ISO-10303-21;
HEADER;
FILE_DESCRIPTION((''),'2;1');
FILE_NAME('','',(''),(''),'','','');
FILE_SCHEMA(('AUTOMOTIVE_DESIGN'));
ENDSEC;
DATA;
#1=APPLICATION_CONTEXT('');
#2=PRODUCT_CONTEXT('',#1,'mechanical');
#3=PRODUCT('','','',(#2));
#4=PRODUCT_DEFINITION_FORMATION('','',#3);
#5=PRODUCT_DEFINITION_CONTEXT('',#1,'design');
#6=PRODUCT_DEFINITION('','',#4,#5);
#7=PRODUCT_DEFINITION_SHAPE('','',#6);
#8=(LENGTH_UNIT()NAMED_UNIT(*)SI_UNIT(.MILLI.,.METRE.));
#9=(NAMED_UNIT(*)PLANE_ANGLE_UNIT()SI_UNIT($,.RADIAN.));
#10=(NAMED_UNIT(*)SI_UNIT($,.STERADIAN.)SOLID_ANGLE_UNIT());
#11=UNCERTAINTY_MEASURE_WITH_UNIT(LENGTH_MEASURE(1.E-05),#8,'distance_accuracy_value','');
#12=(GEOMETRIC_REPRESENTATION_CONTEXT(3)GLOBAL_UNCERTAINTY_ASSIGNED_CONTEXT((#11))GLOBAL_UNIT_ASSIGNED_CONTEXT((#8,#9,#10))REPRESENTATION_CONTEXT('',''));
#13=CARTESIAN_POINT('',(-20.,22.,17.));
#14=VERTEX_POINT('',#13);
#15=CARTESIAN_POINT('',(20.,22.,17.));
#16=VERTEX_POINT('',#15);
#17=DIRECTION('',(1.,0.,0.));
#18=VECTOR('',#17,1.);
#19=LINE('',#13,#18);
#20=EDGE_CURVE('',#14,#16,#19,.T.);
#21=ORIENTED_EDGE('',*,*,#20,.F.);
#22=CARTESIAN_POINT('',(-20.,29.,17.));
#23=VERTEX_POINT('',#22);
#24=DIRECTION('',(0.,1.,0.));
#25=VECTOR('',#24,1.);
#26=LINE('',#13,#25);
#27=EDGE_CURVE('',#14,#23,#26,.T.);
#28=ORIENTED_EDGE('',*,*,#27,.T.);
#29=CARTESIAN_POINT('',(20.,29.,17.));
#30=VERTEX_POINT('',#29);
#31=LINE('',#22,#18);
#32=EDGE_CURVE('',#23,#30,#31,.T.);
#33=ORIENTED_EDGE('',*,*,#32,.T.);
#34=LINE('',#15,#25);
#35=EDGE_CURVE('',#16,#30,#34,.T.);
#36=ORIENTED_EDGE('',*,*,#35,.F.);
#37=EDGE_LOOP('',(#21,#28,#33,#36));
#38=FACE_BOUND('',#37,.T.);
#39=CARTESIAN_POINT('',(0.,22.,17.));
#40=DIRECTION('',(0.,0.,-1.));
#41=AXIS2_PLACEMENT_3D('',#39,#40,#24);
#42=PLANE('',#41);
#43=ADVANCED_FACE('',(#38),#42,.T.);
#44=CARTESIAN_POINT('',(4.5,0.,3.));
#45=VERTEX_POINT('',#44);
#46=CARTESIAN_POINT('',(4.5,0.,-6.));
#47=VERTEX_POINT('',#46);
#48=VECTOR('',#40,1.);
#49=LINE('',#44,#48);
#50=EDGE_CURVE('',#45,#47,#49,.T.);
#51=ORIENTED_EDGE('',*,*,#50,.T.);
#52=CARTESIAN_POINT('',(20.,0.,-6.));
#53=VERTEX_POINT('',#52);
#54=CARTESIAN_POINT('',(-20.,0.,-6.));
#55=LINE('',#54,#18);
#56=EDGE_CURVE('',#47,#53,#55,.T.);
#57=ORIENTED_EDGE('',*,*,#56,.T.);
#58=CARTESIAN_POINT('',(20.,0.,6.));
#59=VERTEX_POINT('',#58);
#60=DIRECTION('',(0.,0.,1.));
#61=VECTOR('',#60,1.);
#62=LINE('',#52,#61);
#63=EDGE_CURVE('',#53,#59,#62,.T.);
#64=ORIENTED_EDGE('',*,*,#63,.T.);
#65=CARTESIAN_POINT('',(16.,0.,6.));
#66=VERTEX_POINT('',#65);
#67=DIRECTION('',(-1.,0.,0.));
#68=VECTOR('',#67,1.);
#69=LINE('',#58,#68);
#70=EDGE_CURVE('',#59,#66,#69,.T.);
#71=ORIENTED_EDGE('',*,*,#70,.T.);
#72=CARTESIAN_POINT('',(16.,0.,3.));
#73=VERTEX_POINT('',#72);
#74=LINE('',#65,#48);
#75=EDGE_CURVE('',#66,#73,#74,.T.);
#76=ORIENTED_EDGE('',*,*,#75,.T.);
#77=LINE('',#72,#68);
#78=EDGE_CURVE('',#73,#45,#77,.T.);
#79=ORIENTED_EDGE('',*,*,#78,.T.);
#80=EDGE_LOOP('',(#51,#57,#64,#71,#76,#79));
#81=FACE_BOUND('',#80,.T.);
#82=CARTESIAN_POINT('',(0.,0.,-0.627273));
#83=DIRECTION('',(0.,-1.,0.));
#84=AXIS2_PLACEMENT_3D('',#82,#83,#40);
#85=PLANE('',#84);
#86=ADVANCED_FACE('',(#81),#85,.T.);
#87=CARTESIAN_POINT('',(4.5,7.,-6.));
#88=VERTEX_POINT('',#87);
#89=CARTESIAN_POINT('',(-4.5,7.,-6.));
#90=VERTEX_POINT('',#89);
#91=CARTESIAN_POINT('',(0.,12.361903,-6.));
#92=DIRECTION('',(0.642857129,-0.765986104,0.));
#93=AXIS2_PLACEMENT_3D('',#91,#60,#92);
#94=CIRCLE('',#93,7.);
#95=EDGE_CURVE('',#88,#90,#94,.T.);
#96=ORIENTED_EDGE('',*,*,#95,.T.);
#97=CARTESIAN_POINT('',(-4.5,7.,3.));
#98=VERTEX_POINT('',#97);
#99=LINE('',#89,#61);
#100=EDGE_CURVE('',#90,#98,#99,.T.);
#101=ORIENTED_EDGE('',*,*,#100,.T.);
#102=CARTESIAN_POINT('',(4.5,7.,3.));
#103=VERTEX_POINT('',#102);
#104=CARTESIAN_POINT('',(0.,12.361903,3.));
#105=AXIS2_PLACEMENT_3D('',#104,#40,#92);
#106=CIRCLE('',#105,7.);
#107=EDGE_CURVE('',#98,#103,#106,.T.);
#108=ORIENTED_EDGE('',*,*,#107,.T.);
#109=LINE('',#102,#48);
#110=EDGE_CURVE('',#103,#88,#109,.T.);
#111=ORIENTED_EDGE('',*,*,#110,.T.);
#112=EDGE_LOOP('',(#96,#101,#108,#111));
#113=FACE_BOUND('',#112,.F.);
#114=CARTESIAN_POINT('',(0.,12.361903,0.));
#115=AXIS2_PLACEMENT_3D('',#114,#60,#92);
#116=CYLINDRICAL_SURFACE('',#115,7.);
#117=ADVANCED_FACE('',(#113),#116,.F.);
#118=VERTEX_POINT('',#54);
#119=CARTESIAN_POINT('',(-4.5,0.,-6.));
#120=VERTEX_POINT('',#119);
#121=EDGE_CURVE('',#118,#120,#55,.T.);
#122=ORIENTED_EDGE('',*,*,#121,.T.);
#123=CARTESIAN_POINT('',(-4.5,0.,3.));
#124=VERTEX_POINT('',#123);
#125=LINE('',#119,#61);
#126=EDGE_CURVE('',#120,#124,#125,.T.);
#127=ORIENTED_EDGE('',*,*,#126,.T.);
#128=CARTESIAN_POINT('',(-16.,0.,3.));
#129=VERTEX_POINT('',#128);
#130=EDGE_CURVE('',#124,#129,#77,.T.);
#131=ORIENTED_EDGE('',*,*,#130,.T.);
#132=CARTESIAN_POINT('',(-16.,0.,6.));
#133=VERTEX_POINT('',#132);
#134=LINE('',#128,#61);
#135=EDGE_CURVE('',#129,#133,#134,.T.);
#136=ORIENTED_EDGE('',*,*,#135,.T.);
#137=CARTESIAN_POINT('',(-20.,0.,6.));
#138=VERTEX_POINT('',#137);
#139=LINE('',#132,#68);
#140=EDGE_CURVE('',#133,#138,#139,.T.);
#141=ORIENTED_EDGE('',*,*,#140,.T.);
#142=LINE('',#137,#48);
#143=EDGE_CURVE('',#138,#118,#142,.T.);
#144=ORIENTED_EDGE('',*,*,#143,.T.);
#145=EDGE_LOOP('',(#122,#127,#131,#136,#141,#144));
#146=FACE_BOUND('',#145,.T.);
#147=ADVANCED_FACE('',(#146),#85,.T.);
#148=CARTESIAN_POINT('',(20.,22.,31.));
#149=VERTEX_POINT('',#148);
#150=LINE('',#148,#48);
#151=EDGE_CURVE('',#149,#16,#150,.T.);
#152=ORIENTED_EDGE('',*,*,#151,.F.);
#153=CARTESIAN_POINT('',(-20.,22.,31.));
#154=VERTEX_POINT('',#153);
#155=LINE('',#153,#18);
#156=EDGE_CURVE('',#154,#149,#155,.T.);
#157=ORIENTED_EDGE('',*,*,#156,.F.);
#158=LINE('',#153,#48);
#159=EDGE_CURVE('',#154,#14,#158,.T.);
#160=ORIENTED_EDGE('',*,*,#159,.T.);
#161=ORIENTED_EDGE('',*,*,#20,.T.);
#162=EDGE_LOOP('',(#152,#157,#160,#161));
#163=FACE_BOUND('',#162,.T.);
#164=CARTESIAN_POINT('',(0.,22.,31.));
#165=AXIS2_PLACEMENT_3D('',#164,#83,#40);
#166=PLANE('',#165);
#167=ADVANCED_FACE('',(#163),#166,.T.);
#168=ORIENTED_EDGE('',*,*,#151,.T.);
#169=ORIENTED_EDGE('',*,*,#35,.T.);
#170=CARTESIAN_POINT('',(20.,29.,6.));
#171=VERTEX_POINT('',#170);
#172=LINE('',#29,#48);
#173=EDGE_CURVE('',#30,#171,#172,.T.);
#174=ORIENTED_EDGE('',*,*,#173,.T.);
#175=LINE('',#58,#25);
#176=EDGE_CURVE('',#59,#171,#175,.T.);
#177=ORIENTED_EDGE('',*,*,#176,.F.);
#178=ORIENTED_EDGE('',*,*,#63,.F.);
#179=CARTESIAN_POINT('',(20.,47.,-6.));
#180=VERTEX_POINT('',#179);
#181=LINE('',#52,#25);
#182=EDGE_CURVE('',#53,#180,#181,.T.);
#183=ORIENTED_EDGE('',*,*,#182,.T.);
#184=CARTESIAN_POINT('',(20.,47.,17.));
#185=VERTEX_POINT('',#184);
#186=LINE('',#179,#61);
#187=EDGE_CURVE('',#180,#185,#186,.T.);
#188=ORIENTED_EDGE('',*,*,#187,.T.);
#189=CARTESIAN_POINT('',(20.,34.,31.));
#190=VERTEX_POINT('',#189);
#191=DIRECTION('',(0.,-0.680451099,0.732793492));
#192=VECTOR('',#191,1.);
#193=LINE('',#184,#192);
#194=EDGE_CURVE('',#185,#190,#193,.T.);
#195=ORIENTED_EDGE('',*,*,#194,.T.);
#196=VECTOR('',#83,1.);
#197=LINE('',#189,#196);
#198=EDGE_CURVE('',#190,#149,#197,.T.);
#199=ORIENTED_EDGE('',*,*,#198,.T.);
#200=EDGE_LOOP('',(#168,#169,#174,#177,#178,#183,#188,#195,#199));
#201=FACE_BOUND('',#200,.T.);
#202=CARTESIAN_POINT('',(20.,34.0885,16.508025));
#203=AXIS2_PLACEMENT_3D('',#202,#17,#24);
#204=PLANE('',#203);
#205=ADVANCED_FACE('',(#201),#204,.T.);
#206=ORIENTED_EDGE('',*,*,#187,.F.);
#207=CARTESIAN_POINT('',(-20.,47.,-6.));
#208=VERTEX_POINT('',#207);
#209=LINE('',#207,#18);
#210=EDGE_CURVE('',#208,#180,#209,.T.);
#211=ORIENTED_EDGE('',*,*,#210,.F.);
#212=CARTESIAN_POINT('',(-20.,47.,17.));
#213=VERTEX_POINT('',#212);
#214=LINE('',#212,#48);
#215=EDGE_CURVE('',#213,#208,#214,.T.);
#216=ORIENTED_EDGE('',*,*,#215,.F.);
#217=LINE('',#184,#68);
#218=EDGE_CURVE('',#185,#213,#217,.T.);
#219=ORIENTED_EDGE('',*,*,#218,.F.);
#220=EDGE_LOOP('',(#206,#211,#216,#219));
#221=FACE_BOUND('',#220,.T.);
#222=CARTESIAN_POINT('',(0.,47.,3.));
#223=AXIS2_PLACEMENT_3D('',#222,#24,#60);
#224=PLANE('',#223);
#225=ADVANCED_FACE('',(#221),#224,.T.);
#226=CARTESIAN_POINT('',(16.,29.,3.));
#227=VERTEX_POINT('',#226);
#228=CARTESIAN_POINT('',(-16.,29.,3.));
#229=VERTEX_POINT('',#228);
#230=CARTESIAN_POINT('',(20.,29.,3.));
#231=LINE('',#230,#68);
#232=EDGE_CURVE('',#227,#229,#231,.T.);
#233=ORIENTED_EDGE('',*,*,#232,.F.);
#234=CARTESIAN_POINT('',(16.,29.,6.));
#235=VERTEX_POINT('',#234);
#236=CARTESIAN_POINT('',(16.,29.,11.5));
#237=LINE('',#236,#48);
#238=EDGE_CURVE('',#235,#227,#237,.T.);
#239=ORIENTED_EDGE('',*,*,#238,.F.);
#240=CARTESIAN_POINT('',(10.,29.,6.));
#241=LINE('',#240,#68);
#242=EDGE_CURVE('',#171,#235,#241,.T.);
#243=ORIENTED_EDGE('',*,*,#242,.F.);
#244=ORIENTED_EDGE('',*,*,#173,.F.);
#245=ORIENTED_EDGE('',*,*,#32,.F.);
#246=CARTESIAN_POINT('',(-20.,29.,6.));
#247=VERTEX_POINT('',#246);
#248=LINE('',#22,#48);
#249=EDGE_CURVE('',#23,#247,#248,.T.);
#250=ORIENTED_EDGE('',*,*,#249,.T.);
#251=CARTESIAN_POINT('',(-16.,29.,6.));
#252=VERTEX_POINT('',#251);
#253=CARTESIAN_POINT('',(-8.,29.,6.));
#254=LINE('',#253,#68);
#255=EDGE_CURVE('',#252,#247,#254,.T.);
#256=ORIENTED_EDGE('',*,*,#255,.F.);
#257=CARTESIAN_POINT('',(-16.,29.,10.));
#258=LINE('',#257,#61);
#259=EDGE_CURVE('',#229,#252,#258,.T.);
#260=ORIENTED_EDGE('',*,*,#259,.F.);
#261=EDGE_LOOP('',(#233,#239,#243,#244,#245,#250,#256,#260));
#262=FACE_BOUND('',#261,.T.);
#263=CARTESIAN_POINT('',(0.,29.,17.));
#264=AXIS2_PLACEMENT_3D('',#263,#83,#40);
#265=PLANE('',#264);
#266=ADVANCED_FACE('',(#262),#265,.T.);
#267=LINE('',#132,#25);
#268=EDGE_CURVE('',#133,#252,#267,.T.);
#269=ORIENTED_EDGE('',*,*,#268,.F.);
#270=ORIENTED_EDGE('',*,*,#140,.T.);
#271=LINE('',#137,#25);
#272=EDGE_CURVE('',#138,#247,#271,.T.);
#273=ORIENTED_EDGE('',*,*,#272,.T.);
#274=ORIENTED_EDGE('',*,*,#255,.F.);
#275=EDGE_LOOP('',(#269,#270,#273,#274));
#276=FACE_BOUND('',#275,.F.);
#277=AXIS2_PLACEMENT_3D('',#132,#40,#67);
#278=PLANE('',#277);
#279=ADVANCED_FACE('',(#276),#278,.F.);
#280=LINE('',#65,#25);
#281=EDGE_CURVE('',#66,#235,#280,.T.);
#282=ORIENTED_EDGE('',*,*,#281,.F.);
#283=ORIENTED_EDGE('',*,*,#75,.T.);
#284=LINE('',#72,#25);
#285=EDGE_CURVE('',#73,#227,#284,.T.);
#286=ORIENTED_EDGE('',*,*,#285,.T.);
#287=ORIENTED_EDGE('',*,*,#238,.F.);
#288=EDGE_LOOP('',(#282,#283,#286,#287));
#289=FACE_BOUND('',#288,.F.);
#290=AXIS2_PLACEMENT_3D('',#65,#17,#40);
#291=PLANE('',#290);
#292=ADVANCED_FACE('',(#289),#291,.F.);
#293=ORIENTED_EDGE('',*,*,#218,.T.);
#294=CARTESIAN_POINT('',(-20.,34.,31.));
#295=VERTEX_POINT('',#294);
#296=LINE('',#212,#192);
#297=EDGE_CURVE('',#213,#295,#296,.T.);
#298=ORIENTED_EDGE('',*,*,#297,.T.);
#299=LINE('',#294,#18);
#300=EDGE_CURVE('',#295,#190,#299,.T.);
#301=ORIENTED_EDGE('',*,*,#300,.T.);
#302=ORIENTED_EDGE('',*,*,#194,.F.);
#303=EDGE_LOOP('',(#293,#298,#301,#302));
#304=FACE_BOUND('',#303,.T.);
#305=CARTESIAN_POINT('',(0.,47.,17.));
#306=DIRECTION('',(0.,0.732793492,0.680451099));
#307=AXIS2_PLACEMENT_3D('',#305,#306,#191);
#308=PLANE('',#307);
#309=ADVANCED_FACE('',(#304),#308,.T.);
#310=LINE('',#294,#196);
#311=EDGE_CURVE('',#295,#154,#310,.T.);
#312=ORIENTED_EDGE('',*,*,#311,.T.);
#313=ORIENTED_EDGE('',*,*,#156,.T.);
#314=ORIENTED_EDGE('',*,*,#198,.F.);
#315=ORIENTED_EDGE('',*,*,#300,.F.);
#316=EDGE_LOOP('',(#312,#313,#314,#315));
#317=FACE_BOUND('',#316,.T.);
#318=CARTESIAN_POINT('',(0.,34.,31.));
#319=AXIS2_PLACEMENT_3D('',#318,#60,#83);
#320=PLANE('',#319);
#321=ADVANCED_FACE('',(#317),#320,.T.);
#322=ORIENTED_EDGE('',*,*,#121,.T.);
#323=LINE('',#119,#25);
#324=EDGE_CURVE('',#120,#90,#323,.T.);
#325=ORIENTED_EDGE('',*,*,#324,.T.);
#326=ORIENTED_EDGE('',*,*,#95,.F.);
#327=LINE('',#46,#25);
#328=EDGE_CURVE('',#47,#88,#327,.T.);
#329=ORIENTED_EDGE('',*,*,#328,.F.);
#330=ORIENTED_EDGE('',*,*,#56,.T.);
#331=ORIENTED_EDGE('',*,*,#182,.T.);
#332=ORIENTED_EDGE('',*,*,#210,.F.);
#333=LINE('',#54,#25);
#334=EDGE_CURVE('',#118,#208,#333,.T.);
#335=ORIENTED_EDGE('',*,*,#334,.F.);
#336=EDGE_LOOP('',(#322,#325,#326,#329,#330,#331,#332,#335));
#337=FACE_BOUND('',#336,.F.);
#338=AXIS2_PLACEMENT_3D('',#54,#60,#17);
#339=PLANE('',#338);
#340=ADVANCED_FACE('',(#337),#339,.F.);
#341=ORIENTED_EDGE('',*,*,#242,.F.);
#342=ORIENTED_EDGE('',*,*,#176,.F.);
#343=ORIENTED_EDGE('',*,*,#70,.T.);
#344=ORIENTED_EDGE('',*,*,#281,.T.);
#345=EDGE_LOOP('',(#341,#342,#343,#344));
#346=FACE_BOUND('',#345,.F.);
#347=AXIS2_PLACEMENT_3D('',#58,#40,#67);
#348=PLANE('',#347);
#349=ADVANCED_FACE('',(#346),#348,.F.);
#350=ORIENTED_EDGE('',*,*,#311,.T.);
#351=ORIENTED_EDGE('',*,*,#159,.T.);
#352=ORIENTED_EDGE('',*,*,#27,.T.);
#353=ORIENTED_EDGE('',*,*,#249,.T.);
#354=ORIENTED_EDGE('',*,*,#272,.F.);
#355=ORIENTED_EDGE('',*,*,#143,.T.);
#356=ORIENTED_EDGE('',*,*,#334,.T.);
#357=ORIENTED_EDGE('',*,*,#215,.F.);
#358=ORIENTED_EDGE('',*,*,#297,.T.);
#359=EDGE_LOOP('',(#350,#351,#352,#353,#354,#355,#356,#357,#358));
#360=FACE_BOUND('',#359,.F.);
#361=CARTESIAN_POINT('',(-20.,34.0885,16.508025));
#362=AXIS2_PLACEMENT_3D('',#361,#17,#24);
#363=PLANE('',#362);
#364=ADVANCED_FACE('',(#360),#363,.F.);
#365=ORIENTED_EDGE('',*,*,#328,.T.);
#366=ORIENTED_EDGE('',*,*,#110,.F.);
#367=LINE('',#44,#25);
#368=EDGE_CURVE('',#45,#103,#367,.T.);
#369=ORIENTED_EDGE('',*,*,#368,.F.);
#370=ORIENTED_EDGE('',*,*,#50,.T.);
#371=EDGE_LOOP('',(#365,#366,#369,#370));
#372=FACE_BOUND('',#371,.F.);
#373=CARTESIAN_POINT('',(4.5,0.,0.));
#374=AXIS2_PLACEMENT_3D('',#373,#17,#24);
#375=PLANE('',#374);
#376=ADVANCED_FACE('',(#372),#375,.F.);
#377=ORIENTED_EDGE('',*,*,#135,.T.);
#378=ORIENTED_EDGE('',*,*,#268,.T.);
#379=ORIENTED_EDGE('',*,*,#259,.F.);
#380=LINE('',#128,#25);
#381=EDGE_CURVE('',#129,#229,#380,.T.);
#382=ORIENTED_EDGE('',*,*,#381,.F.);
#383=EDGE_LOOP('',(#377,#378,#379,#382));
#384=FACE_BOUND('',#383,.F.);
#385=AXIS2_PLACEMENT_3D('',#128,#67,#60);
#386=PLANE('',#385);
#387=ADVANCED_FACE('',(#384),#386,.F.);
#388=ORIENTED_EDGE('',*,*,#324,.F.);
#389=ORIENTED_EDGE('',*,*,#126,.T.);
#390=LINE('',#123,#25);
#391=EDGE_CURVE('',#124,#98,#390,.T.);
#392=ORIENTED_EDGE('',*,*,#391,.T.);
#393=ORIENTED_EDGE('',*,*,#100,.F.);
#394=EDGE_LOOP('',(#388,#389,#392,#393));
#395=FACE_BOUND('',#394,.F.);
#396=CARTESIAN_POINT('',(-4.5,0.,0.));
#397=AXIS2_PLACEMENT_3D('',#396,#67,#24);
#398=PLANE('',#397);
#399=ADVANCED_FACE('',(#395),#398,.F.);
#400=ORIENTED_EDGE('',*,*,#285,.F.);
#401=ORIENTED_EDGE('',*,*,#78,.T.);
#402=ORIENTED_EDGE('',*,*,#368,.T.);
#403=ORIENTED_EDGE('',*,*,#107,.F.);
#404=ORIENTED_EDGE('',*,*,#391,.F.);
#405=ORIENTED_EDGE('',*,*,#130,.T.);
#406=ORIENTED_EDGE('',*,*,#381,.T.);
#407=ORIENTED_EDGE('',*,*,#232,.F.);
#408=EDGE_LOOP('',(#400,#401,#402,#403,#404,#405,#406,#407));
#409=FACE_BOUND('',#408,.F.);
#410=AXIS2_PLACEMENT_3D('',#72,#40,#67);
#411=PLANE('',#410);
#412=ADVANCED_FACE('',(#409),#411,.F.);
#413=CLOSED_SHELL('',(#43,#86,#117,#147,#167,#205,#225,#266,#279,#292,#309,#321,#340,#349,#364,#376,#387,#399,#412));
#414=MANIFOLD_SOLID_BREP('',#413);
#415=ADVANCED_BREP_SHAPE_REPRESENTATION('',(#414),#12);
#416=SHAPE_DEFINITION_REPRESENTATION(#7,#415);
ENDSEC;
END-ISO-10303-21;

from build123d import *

# Parameters (mm, degrees)
PAD_DEPTH         = 20
POCKET_DEPTH      = 6.001
POCKET_DEPTH_BACK = -31.001


with BuildPart() as part:
    # AdditivePipe: sweep along a path in Sketch
    with BuildLine(Plane.XY) as additivepipe_path:
        Line((0, 0), (0, 47))
    # Sketch001 → AdditivePipe (sweep)
    with BuildSketch(Plane.XZ):
        Polygon((-20, 6), (-20, -6), (-16, -6), (-9, -6), (9, -6), (16, -6), (20, -6), (20, 6), (16, 6), (16, 3), (9, 3), (-9, 3), (-16, 3), (-16, 6), align=None)
    sweep(path=additivepipe_path.line)

    # Sketch002 → Pad (new body, symmetric)
    with BuildSketch(Plane.YZ):
        Polygon((47, 6), (47, 17), (34, 31), (22, 31), (22, 17), (29, 17), (29, 3), (47, 3), align=None)
    extrude(amount=PAD_DEPTH, both=True)

    # Sketch003 → Pocket (cut, two sides)
    with BuildSketch(Plane.XY) as pocket_sk:
        with BuildLine():
            Line((-4.5, 0), (4.5, 0))
            Line((4.5, 0), (4.5, 7))
            ThreePointArc((4.5, 7), (0, 19.361903), (-4.5, 7))
            Line((-4.5, 0), (-4.5, 7))
        make_face()
    extrude(amount=-POCKET_DEPTH, mode=Mode.SUBTRACT)
    extrude(pocket_sk.sketch, amount=-POCKET_DEPTH_BACK, mode=Mode.SUBTRACT)


solid = part.part
